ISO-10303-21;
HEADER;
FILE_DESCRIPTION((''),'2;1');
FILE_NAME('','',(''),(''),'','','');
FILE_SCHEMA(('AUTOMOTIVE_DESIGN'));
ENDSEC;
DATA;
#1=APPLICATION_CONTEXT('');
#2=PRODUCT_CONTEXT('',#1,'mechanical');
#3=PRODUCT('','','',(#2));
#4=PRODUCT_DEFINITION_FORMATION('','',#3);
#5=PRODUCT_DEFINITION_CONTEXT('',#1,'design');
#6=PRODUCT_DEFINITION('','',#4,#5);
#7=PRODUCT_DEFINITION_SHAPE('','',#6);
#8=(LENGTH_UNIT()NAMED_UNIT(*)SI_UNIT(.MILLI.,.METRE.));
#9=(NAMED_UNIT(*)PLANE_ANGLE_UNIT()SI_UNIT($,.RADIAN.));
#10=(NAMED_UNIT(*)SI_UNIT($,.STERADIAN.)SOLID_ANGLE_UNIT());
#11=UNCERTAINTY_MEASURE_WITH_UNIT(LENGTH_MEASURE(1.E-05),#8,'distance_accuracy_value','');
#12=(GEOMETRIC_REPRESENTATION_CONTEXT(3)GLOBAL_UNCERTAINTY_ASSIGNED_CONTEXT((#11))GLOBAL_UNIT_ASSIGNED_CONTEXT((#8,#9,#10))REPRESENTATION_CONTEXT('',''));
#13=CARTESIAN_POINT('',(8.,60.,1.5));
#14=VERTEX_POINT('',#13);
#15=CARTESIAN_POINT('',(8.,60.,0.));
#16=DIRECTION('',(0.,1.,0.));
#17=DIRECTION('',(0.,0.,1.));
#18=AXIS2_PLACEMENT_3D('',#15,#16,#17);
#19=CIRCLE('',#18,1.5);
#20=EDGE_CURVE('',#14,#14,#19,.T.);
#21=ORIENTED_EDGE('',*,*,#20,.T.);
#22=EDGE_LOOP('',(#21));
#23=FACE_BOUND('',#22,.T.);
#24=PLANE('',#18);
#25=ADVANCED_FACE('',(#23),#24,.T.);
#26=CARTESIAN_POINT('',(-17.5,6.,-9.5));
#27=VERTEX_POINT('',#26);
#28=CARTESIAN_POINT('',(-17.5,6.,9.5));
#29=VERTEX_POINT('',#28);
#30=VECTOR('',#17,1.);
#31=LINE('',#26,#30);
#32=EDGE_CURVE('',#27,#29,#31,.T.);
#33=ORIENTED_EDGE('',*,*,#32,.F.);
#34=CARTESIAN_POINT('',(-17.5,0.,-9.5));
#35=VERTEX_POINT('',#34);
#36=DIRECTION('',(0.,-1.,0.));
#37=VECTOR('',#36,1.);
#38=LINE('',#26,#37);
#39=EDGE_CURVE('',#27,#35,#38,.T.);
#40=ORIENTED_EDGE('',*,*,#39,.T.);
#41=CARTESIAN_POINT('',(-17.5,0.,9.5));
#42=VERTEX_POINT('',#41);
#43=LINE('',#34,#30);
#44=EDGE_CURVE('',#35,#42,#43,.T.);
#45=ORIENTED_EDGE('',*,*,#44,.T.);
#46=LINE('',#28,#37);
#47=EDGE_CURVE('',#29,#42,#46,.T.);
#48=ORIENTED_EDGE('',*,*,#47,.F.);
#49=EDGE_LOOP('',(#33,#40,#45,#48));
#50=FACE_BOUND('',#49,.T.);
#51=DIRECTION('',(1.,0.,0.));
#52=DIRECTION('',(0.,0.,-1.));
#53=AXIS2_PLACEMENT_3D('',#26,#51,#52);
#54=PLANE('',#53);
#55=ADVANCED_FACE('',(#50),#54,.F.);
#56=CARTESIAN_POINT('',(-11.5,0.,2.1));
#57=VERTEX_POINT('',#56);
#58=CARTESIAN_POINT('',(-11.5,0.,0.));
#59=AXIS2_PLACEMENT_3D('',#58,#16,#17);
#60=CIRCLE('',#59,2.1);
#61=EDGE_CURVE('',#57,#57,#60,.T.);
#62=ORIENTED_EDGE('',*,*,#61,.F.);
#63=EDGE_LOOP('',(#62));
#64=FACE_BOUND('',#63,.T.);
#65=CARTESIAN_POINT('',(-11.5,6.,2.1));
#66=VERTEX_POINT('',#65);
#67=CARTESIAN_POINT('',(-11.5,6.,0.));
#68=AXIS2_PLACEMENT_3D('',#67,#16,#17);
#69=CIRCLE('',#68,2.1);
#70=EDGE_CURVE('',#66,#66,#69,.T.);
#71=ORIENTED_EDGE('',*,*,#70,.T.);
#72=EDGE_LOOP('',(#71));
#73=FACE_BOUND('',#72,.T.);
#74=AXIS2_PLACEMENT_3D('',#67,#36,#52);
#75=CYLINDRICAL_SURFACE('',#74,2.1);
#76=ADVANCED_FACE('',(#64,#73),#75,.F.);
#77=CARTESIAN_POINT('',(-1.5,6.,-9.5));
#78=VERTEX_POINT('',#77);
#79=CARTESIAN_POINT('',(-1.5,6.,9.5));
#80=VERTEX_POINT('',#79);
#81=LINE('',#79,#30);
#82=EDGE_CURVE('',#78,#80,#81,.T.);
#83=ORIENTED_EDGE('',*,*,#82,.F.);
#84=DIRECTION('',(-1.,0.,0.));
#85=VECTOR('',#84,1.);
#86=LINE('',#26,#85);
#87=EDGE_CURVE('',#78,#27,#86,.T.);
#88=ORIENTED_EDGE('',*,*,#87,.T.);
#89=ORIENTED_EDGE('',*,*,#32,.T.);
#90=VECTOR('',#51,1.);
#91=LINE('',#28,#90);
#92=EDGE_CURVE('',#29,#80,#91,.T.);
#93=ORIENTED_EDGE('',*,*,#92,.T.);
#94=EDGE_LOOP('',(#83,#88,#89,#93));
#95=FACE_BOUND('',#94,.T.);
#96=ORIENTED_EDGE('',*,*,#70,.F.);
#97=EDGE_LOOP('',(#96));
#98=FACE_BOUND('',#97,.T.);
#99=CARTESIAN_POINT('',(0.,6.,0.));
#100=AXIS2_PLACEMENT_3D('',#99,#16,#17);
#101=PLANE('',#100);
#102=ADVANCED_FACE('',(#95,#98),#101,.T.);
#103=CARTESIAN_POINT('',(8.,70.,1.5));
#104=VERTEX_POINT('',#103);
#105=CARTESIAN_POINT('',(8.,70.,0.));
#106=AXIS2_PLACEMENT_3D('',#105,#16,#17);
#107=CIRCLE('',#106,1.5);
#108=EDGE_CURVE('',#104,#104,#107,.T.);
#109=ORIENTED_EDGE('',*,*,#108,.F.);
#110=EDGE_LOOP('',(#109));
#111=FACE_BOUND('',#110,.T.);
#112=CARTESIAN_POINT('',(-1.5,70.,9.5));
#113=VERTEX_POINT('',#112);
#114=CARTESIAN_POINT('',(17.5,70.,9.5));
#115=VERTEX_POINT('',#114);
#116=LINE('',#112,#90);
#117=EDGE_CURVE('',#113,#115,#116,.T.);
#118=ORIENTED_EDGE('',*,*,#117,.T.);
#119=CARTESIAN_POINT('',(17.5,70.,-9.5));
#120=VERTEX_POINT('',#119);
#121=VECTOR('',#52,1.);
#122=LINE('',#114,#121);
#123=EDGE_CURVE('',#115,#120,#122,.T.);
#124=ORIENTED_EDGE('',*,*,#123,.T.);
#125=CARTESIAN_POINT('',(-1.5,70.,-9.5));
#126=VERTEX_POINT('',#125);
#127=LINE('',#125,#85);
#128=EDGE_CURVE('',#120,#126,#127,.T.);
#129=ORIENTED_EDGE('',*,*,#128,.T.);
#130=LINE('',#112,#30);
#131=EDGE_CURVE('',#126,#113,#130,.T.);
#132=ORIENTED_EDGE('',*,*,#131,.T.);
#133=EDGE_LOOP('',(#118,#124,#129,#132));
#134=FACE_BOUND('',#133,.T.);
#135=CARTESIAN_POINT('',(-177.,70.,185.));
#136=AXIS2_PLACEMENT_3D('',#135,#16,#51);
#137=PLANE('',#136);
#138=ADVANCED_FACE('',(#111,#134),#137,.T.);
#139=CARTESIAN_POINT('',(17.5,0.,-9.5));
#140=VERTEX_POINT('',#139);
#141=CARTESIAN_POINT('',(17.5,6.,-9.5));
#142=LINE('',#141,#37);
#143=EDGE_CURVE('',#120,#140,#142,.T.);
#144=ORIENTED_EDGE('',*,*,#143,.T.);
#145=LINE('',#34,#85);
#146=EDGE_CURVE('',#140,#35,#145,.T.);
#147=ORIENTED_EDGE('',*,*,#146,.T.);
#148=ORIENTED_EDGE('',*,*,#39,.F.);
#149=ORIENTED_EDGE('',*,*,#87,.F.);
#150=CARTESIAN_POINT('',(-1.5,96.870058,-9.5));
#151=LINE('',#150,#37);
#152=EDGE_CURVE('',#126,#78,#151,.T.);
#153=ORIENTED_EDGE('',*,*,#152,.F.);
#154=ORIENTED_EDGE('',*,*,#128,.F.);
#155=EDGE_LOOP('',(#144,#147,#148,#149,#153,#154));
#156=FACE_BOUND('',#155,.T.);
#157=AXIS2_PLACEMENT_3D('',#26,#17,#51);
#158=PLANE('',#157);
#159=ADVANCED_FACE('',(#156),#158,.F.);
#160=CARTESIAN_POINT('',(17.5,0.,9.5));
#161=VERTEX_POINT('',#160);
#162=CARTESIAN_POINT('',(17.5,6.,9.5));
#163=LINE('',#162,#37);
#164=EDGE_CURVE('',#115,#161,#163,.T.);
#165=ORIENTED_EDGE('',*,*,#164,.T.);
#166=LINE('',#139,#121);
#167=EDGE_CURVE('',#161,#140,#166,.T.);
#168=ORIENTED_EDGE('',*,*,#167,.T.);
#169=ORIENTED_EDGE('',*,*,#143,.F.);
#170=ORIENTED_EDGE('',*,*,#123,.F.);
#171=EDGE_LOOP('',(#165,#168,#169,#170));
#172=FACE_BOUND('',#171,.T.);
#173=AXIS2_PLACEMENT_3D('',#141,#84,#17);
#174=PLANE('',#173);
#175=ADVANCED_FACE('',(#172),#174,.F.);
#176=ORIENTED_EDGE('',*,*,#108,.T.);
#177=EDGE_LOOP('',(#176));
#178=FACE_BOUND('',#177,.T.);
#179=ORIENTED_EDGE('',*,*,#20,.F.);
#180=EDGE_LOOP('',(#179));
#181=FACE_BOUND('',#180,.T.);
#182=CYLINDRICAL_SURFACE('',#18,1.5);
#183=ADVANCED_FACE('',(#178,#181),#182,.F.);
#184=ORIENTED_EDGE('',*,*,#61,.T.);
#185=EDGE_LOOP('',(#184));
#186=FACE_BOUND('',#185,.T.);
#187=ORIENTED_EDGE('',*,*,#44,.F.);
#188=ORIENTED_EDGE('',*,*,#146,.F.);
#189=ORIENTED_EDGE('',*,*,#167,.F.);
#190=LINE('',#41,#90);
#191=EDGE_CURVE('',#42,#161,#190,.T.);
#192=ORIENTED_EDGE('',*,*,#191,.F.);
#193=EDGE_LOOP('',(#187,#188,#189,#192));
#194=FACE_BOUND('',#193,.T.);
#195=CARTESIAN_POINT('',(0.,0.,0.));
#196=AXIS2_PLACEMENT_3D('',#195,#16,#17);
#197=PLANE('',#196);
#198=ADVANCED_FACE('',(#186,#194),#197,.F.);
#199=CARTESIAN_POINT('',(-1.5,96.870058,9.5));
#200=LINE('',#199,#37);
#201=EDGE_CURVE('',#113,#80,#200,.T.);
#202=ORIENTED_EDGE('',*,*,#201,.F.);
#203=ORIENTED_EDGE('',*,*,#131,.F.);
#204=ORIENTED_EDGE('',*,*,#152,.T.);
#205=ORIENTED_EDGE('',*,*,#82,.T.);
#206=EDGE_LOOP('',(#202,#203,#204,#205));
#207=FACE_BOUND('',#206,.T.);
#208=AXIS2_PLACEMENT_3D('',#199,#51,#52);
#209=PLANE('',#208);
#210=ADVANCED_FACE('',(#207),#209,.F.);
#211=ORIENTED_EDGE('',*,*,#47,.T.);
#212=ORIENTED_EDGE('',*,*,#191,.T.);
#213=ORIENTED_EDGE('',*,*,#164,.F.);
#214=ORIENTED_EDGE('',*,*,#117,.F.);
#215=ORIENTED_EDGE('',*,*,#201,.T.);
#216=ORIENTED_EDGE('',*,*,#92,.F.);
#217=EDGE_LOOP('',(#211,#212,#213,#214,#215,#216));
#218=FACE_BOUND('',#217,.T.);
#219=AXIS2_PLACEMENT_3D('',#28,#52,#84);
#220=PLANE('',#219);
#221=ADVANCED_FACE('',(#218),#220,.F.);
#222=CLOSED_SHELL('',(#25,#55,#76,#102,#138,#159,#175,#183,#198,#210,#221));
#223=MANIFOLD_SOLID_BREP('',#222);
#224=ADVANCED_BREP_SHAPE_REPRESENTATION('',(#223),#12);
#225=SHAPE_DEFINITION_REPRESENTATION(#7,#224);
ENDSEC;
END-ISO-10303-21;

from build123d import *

# Parameters (mm, degrees)
SKETCH_1_W          = 35
SKETCH_1_H          = 19
SKETCH_1_R          = 2.1
EXTRUDE_1_DEPTH     = 6
SKETCH_2_W          = 19
SKETCH_2_H          = 19
EXTRUDE_2_DEPTH     = 64
SKETCH_4_R          = 1.5
CUT_EXTRUDE_1_DEPTH = 10


with BuildPart() as part:
    # 草图1 → 凸台-拉伸1 (new body)
    with BuildSketch(Plane(origin=(0, 0, 0), x_dir=(1, 0, 0), z_dir=(0, 1, 0))):
        Rectangle(SKETCH_1_W, SKETCH_1_H)
        with Locations(Location((-11.5, 0, 0), (0, 0, 270))):
            Circle(SKETCH_1_R, mode=Mode.SUBTRACT)
    extrude(amount=EXTRUDE_1_DEPTH)

    # 草图2 → 凸台-拉伸2 (add)
    with BuildSketch(Plane(origin=(0, 6, 0), x_dir=(1, 0, 0), z_dir=(0, 1, 0))):
        with Locations((8, 0)):
            Rectangle(SKETCH_2_W, SKETCH_2_H)
    extrude(amount=EXTRUDE_2_DEPTH)

    # 草图4 → 切除-拉伸1 (cut)
    with BuildSketch(Plane(origin=(0, 70, 0), x_dir=(1, 0, 0), z_dir=(0, 1, 0))):
        with Locations(Location((8, 0, 0), (0, 0, 270))):
            Circle(SKETCH_4_R)
    extrude(amount=-CUT_EXTRUDE_1_DEPTH, mode=Mode.SUBTRACT)


solid = part.part
